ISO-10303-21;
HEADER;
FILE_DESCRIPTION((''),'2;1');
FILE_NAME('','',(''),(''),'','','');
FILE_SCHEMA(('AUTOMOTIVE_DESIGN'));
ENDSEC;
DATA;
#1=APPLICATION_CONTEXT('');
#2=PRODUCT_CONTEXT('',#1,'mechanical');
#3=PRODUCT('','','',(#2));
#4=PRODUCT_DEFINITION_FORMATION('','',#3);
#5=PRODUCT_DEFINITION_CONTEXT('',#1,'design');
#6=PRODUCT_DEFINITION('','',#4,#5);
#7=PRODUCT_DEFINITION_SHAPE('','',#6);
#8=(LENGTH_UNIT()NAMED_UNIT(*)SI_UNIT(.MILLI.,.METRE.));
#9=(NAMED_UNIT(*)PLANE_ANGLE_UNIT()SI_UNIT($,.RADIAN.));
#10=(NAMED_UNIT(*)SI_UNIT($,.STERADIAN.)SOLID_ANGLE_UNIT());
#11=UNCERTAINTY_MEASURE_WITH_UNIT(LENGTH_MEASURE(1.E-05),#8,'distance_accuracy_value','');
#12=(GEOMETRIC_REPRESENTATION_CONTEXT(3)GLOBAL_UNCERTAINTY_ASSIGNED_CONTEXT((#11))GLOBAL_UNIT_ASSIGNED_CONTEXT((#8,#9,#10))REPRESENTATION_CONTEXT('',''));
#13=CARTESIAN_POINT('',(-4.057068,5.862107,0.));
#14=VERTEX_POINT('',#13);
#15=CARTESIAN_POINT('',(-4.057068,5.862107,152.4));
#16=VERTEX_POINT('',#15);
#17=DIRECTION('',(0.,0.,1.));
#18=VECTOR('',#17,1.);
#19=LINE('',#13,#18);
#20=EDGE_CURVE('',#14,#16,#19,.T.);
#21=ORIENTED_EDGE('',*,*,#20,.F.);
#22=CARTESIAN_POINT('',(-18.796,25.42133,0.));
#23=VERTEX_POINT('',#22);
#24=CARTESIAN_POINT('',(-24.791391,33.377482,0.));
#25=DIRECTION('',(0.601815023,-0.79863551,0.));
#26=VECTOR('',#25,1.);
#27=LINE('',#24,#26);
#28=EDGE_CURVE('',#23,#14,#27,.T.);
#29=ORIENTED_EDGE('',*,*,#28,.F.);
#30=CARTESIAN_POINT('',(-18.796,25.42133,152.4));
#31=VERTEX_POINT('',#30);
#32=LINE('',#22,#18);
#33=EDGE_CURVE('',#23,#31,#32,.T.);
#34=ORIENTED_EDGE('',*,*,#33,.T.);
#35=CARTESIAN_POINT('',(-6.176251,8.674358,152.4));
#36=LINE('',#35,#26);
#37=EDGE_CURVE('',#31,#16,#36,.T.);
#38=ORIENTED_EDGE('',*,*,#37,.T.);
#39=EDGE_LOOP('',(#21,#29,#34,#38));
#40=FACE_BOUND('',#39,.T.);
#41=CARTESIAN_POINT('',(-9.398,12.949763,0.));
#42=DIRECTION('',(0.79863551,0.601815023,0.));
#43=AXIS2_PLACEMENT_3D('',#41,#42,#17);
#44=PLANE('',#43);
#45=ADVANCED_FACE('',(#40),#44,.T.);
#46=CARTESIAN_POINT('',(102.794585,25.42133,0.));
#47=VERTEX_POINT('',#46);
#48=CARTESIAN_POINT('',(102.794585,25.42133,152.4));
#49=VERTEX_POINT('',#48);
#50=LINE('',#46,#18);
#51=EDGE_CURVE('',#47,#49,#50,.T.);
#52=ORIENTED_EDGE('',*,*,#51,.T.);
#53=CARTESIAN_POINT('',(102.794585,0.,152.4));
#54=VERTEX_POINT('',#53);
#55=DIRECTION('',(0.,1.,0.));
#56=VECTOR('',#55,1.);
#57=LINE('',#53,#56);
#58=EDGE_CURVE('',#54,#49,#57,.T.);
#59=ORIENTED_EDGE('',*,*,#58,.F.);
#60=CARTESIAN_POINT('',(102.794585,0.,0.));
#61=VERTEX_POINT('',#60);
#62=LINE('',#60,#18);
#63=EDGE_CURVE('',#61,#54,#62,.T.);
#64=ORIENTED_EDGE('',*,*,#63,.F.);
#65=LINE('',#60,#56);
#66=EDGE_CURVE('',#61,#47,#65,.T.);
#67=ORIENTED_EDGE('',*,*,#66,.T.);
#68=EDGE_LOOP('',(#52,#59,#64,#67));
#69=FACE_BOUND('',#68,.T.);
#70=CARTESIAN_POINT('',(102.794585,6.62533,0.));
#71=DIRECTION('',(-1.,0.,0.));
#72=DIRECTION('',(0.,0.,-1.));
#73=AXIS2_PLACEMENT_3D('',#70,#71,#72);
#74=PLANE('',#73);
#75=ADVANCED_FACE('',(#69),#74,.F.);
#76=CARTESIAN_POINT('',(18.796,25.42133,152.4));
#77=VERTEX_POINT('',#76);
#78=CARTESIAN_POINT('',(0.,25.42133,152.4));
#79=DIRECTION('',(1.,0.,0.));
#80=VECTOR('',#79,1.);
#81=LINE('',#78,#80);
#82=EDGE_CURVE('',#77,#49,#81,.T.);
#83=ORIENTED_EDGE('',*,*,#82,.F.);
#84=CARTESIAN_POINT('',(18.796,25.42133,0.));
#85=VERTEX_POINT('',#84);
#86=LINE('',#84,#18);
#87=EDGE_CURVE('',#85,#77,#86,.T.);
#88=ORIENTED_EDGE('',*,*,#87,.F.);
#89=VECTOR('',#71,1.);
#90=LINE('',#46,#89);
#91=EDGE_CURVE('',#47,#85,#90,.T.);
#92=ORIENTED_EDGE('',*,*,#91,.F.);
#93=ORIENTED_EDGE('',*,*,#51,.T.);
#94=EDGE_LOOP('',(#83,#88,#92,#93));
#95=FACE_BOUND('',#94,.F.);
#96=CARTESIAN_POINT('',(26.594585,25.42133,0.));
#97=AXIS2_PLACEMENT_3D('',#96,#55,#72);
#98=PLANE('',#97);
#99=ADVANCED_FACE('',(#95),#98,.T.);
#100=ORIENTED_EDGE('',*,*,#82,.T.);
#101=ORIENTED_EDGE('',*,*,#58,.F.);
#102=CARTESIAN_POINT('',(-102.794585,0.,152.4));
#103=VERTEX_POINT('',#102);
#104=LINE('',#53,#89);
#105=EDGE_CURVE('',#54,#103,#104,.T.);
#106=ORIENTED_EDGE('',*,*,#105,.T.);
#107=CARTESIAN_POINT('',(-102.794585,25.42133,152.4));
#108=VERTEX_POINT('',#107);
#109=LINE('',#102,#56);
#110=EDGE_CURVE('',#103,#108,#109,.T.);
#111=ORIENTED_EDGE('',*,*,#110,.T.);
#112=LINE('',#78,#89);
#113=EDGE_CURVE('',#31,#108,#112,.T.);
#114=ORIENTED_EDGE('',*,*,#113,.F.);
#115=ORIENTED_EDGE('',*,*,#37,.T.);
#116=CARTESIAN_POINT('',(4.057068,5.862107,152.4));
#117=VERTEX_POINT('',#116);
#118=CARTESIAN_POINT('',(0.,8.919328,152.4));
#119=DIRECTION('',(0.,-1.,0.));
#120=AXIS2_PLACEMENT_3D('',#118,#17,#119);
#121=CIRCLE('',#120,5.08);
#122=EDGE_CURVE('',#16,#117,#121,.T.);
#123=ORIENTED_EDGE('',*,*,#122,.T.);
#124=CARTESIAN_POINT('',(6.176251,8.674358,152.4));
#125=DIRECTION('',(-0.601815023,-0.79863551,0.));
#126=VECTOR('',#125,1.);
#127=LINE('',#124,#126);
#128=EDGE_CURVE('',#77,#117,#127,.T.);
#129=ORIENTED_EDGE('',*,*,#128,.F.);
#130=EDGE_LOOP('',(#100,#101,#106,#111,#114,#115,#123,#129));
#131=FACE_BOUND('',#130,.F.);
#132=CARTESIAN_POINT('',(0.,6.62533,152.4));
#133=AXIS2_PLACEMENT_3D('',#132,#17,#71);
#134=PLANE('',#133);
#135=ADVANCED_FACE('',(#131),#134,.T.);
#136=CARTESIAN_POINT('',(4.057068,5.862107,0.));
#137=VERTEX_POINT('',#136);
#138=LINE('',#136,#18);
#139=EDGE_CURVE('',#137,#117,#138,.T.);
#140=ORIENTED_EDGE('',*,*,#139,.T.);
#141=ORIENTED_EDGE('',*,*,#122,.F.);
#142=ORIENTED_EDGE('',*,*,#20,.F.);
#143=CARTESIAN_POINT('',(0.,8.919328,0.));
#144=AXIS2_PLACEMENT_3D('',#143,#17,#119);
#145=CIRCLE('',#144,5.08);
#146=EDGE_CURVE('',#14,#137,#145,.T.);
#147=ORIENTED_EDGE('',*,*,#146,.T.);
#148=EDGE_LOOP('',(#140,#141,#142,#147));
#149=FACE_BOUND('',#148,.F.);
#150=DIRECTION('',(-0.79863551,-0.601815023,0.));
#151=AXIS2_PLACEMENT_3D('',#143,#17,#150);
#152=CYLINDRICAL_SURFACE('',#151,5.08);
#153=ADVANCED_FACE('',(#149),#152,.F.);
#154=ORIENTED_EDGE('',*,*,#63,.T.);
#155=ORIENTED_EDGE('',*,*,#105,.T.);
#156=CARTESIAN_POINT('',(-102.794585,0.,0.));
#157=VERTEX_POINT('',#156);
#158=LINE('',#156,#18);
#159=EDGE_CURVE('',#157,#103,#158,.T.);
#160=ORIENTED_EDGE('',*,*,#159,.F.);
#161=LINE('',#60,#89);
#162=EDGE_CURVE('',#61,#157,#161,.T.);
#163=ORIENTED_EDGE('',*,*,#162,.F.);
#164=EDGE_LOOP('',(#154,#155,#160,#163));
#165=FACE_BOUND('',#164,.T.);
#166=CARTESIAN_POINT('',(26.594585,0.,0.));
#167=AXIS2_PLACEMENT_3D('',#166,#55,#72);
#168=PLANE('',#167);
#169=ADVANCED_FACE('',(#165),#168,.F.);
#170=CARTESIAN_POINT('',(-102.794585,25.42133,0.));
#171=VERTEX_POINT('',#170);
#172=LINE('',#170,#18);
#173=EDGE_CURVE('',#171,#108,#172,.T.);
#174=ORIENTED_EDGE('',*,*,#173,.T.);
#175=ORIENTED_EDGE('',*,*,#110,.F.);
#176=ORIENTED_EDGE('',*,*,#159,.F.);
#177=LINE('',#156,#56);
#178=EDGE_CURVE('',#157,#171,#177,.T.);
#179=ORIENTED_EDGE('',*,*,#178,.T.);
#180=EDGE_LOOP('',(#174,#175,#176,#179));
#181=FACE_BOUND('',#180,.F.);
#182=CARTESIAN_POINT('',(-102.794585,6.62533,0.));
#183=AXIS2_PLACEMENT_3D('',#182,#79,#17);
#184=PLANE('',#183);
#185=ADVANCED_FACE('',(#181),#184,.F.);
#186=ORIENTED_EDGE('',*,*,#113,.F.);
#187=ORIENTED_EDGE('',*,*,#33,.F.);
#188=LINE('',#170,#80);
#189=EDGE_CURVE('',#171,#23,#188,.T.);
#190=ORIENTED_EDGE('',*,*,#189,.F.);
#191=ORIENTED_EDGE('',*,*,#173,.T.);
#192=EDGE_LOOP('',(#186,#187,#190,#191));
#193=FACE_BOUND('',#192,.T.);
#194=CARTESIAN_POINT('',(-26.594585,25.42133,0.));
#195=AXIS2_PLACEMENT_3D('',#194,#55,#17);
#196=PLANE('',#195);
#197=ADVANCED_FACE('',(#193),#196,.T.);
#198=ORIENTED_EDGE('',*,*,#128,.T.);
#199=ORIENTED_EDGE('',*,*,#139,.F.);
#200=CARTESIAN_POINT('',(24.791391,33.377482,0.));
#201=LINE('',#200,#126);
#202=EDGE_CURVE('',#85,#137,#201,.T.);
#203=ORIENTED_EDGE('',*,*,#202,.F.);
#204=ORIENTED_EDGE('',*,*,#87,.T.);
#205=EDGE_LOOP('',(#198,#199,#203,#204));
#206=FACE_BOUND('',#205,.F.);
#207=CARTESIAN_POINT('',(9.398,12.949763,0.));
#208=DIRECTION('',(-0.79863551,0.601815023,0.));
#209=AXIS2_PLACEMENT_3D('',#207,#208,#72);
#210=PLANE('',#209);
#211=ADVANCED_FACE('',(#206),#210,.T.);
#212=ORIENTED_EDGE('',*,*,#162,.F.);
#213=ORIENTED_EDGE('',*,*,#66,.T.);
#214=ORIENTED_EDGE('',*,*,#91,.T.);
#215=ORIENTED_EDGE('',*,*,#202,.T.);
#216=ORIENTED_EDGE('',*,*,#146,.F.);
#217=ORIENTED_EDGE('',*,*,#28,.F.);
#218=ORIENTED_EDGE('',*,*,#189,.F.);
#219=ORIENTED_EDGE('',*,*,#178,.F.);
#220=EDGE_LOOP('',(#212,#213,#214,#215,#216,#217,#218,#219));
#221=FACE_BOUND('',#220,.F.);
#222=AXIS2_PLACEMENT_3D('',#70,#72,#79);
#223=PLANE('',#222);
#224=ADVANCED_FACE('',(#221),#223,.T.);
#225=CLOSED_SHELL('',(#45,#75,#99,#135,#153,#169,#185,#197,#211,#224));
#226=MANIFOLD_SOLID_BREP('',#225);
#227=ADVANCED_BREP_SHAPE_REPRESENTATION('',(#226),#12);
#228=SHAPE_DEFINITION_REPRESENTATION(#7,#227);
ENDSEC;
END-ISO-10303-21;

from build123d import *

# Parameters (mm, degrees)
F0_W     = 26.5945848078
F0_H     = 6.6253300756
F1_DEPTH = 152.4
F2_DEPTH = 76.2
F3_DEPTH = 18.796
F4_SIZE2 = 24.9431344672
F4_SIZE  = 18.796
F6_R     = 5.08


with BuildPart() as f1:
    # F0 (on Top) → F1 (new body)
    with BuildSketch(Plane.XY):
        with Locations((-13.2972924039, 3.3126650378)):
            Rectangle(F0_W, F0_H)
    extrude(amount=F1_DEPTH)

    # F2 (add): a face of the model
    f2_faces = [f1.faces().sort_by_distance(p)[0] for p in [
        (-26.5945848078, 3.3126650378, 76.2),
    ]]
    extrude(f2_faces, amount=F2_DEPTH)

    # F3 (add): a face of the model
    f3_faces = [f1.faces().sort_by_distance(p)[0] for p in [
        (-51.3972924039, 6.6253300756, 76.2),
    ]]
    extrude(f3_faces, amount=F3_DEPTH)

    # F4
    f4_edges = [f1.edges().sort_by_distance(p)[0] for p in [
        (0, 25.42133, 76.2),
    ]]
    f4_side = f1.faces().sort_by_distance((-51.397292, 25.42133, 76.2))[0]
    chamfer(f4_edges, length=F4_SIZE, length2=F4_SIZE2, reference=f4_side)

    # F5: F1 across plane


with BuildPart() as f1_1:
    add(f1.part)
    add(f1.part.mirror(Plane.YZ))

    # F6
    f6_edges = [f1_1.edges().sort_by_distance(p)[0] for p in [
        (0, 0.478196, 76.2),
    ]]
    fillet(f6_edges, radius=F6_R)


solid = f1_1.part
